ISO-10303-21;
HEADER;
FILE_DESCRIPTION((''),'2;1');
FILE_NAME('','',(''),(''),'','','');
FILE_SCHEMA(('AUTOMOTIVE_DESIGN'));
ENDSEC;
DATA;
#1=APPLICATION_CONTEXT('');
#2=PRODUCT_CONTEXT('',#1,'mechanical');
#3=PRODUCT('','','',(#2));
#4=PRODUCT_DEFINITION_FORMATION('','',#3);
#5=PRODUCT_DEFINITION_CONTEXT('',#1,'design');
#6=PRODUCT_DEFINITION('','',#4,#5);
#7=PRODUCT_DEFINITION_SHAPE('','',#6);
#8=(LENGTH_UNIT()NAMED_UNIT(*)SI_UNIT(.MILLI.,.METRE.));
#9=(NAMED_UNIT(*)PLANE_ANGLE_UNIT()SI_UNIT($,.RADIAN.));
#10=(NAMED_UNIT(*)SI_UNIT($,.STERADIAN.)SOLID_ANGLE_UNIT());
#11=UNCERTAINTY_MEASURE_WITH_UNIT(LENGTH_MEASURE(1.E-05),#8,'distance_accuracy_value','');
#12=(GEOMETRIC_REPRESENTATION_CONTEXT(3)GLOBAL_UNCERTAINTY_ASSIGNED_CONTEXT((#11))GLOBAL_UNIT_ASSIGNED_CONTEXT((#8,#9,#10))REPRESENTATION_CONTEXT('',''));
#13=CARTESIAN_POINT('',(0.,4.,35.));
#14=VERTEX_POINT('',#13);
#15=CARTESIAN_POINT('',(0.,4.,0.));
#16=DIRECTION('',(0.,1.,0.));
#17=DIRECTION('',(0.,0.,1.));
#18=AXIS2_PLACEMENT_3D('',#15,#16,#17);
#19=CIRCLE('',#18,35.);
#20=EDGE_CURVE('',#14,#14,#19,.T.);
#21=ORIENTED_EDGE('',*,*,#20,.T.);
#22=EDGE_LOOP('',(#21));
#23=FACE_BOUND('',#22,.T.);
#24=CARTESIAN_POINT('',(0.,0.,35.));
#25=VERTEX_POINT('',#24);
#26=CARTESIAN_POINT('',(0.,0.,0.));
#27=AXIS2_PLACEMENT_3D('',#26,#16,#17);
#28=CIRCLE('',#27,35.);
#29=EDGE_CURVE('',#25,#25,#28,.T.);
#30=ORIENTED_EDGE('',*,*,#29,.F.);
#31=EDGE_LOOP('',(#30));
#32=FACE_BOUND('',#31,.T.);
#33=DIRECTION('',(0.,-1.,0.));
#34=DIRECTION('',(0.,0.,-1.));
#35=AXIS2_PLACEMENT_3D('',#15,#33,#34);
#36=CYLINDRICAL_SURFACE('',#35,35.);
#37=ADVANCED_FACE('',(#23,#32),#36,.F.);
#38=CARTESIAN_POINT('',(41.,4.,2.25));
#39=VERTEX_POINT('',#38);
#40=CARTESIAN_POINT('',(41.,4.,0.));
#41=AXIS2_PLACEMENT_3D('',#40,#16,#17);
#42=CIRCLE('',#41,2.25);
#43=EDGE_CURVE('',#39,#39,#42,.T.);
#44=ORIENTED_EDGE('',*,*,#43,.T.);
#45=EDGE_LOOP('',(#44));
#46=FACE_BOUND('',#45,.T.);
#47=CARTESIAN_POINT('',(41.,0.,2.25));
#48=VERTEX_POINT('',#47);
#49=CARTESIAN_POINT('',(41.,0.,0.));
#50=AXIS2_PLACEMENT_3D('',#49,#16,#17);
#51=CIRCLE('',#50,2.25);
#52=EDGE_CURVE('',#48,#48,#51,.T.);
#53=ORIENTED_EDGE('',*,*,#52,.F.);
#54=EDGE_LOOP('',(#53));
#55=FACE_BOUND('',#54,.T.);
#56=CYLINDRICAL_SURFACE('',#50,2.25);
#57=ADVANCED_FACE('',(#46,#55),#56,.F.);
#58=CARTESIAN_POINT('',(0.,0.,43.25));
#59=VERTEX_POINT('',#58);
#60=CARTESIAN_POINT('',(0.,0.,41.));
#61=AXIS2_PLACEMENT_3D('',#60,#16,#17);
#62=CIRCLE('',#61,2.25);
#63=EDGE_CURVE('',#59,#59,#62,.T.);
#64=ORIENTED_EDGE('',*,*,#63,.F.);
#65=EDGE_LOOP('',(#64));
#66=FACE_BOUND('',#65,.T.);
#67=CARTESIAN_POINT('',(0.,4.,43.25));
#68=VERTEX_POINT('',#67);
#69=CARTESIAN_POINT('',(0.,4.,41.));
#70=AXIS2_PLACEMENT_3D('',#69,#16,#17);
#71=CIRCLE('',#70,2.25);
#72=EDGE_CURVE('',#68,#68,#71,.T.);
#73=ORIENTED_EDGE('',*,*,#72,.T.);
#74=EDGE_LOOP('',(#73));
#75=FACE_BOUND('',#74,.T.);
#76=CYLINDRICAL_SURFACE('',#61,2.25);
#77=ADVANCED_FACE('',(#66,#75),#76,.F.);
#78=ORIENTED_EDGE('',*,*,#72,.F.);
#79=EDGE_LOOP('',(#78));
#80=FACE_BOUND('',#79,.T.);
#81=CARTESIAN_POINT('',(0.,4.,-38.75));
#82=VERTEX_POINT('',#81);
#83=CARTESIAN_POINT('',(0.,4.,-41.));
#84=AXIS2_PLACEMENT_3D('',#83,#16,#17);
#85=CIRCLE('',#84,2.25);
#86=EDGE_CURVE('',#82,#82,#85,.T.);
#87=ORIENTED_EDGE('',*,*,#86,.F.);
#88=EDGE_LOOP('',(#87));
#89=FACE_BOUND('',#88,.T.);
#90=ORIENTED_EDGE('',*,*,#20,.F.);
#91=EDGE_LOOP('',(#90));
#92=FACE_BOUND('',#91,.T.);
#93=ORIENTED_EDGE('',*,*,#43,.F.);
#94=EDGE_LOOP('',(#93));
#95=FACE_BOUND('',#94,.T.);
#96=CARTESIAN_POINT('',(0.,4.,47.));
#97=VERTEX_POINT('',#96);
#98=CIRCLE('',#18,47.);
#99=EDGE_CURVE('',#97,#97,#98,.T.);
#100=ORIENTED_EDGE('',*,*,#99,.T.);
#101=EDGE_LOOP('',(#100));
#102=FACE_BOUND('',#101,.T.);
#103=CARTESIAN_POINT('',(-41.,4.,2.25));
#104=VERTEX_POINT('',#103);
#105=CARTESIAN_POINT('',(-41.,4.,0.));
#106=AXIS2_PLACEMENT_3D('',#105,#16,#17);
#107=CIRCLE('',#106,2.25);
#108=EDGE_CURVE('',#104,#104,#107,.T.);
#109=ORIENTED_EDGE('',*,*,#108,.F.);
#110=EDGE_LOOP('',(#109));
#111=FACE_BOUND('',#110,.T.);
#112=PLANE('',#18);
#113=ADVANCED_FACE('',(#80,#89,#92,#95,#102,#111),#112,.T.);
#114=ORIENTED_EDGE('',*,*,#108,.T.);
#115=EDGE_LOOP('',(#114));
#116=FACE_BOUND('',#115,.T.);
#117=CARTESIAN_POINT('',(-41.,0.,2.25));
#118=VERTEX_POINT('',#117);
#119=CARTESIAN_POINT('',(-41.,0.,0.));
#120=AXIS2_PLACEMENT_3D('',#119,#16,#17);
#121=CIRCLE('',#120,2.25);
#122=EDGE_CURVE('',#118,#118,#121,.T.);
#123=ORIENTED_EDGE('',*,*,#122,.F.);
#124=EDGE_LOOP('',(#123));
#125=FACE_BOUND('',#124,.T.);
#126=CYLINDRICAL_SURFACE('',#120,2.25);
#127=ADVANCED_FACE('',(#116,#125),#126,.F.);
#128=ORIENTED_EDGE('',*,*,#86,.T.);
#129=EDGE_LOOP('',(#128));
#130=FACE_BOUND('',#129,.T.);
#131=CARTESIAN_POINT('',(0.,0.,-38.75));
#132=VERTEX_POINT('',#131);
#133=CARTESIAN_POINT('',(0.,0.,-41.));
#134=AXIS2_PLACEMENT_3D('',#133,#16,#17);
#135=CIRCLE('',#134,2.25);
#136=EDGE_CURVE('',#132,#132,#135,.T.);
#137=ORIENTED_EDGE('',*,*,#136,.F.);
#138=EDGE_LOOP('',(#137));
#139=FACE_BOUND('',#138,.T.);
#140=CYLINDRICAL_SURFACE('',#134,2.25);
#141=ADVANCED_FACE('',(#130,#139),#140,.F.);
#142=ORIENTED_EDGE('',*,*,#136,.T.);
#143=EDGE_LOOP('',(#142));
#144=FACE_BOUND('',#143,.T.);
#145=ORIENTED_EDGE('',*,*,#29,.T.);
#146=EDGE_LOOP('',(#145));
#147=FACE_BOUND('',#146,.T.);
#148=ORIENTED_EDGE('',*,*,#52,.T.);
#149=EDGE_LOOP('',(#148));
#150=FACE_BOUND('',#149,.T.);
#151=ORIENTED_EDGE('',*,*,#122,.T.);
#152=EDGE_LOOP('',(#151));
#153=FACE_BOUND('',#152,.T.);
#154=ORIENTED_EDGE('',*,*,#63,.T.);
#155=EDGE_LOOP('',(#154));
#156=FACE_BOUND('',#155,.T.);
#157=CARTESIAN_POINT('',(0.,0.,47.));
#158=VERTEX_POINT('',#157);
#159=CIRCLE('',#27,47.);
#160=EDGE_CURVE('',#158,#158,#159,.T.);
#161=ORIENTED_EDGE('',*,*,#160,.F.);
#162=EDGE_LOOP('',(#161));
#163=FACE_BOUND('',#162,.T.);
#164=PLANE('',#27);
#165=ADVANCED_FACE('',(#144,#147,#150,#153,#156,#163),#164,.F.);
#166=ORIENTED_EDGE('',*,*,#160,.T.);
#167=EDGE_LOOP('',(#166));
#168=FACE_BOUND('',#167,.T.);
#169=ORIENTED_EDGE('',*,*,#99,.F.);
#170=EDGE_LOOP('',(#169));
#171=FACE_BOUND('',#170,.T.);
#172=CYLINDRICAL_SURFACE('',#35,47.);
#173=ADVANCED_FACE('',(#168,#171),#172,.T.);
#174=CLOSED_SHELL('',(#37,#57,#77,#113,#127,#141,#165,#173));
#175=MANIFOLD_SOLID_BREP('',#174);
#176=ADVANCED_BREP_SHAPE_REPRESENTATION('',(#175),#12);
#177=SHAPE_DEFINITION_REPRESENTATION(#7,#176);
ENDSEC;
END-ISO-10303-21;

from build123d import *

# Parameters (mm, degrees)
SCHIZZO1_R                   = 47
SCHIZZO1_R_2                 = 35
ESTRUSIONE_ESTRUSIONE1_DEPTH = 4
SCHIZZO2_R                   = 2.25
TAGLIO_ESTRUSIONE1_DEPTH     = 4


with BuildPart() as part:
    # Schizzo1 → Estrusione-Estrusione1 (new body)
    with BuildSketch(Plane(origin=(0, 0, 0), x_dir=(1, 0, 0), z_dir=(0, 1, 0))):
        with Locations(Location((0, 0, 0), (0, 0, 270))):
            Circle(SCHIZZO1_R)
        with Locations(Location((0, 0, 0), (0, 0, 270))):
            Circle(SCHIZZO1_R_2, mode=Mode.SUBTRACT)
    extrude(amount=ESTRUSIONE_ESTRUSIONE1_DEPTH)

    # Schizzo2 → Taglio-Estrusione1 (cut)
    with BuildSketch(Plane(origin=(0, 4, 0), x_dir=(1, 0, 0), z_dir=(0, 1, 0))):
        with Locations(Location((0, 41, 0), (0, 0, 270))):
            Circle(SCHIZZO2_R)
        with Locations(Location((41, 0, 0), (0, 0, 270))):
            Circle(SCHIZZO2_R)
        with Locations(Location((0, -41, 0), (0, 0, 270))):
            Circle(SCHIZZO2_R)
        with Locations(Location((-41, 0, 0), (0, 0, 270))):
            Circle(SCHIZZO2_R)
    extrude(amount=-TAGLIO_ESTRUSIONE1_DEPTH, mode=Mode.SUBTRACT)


solid = part.part
